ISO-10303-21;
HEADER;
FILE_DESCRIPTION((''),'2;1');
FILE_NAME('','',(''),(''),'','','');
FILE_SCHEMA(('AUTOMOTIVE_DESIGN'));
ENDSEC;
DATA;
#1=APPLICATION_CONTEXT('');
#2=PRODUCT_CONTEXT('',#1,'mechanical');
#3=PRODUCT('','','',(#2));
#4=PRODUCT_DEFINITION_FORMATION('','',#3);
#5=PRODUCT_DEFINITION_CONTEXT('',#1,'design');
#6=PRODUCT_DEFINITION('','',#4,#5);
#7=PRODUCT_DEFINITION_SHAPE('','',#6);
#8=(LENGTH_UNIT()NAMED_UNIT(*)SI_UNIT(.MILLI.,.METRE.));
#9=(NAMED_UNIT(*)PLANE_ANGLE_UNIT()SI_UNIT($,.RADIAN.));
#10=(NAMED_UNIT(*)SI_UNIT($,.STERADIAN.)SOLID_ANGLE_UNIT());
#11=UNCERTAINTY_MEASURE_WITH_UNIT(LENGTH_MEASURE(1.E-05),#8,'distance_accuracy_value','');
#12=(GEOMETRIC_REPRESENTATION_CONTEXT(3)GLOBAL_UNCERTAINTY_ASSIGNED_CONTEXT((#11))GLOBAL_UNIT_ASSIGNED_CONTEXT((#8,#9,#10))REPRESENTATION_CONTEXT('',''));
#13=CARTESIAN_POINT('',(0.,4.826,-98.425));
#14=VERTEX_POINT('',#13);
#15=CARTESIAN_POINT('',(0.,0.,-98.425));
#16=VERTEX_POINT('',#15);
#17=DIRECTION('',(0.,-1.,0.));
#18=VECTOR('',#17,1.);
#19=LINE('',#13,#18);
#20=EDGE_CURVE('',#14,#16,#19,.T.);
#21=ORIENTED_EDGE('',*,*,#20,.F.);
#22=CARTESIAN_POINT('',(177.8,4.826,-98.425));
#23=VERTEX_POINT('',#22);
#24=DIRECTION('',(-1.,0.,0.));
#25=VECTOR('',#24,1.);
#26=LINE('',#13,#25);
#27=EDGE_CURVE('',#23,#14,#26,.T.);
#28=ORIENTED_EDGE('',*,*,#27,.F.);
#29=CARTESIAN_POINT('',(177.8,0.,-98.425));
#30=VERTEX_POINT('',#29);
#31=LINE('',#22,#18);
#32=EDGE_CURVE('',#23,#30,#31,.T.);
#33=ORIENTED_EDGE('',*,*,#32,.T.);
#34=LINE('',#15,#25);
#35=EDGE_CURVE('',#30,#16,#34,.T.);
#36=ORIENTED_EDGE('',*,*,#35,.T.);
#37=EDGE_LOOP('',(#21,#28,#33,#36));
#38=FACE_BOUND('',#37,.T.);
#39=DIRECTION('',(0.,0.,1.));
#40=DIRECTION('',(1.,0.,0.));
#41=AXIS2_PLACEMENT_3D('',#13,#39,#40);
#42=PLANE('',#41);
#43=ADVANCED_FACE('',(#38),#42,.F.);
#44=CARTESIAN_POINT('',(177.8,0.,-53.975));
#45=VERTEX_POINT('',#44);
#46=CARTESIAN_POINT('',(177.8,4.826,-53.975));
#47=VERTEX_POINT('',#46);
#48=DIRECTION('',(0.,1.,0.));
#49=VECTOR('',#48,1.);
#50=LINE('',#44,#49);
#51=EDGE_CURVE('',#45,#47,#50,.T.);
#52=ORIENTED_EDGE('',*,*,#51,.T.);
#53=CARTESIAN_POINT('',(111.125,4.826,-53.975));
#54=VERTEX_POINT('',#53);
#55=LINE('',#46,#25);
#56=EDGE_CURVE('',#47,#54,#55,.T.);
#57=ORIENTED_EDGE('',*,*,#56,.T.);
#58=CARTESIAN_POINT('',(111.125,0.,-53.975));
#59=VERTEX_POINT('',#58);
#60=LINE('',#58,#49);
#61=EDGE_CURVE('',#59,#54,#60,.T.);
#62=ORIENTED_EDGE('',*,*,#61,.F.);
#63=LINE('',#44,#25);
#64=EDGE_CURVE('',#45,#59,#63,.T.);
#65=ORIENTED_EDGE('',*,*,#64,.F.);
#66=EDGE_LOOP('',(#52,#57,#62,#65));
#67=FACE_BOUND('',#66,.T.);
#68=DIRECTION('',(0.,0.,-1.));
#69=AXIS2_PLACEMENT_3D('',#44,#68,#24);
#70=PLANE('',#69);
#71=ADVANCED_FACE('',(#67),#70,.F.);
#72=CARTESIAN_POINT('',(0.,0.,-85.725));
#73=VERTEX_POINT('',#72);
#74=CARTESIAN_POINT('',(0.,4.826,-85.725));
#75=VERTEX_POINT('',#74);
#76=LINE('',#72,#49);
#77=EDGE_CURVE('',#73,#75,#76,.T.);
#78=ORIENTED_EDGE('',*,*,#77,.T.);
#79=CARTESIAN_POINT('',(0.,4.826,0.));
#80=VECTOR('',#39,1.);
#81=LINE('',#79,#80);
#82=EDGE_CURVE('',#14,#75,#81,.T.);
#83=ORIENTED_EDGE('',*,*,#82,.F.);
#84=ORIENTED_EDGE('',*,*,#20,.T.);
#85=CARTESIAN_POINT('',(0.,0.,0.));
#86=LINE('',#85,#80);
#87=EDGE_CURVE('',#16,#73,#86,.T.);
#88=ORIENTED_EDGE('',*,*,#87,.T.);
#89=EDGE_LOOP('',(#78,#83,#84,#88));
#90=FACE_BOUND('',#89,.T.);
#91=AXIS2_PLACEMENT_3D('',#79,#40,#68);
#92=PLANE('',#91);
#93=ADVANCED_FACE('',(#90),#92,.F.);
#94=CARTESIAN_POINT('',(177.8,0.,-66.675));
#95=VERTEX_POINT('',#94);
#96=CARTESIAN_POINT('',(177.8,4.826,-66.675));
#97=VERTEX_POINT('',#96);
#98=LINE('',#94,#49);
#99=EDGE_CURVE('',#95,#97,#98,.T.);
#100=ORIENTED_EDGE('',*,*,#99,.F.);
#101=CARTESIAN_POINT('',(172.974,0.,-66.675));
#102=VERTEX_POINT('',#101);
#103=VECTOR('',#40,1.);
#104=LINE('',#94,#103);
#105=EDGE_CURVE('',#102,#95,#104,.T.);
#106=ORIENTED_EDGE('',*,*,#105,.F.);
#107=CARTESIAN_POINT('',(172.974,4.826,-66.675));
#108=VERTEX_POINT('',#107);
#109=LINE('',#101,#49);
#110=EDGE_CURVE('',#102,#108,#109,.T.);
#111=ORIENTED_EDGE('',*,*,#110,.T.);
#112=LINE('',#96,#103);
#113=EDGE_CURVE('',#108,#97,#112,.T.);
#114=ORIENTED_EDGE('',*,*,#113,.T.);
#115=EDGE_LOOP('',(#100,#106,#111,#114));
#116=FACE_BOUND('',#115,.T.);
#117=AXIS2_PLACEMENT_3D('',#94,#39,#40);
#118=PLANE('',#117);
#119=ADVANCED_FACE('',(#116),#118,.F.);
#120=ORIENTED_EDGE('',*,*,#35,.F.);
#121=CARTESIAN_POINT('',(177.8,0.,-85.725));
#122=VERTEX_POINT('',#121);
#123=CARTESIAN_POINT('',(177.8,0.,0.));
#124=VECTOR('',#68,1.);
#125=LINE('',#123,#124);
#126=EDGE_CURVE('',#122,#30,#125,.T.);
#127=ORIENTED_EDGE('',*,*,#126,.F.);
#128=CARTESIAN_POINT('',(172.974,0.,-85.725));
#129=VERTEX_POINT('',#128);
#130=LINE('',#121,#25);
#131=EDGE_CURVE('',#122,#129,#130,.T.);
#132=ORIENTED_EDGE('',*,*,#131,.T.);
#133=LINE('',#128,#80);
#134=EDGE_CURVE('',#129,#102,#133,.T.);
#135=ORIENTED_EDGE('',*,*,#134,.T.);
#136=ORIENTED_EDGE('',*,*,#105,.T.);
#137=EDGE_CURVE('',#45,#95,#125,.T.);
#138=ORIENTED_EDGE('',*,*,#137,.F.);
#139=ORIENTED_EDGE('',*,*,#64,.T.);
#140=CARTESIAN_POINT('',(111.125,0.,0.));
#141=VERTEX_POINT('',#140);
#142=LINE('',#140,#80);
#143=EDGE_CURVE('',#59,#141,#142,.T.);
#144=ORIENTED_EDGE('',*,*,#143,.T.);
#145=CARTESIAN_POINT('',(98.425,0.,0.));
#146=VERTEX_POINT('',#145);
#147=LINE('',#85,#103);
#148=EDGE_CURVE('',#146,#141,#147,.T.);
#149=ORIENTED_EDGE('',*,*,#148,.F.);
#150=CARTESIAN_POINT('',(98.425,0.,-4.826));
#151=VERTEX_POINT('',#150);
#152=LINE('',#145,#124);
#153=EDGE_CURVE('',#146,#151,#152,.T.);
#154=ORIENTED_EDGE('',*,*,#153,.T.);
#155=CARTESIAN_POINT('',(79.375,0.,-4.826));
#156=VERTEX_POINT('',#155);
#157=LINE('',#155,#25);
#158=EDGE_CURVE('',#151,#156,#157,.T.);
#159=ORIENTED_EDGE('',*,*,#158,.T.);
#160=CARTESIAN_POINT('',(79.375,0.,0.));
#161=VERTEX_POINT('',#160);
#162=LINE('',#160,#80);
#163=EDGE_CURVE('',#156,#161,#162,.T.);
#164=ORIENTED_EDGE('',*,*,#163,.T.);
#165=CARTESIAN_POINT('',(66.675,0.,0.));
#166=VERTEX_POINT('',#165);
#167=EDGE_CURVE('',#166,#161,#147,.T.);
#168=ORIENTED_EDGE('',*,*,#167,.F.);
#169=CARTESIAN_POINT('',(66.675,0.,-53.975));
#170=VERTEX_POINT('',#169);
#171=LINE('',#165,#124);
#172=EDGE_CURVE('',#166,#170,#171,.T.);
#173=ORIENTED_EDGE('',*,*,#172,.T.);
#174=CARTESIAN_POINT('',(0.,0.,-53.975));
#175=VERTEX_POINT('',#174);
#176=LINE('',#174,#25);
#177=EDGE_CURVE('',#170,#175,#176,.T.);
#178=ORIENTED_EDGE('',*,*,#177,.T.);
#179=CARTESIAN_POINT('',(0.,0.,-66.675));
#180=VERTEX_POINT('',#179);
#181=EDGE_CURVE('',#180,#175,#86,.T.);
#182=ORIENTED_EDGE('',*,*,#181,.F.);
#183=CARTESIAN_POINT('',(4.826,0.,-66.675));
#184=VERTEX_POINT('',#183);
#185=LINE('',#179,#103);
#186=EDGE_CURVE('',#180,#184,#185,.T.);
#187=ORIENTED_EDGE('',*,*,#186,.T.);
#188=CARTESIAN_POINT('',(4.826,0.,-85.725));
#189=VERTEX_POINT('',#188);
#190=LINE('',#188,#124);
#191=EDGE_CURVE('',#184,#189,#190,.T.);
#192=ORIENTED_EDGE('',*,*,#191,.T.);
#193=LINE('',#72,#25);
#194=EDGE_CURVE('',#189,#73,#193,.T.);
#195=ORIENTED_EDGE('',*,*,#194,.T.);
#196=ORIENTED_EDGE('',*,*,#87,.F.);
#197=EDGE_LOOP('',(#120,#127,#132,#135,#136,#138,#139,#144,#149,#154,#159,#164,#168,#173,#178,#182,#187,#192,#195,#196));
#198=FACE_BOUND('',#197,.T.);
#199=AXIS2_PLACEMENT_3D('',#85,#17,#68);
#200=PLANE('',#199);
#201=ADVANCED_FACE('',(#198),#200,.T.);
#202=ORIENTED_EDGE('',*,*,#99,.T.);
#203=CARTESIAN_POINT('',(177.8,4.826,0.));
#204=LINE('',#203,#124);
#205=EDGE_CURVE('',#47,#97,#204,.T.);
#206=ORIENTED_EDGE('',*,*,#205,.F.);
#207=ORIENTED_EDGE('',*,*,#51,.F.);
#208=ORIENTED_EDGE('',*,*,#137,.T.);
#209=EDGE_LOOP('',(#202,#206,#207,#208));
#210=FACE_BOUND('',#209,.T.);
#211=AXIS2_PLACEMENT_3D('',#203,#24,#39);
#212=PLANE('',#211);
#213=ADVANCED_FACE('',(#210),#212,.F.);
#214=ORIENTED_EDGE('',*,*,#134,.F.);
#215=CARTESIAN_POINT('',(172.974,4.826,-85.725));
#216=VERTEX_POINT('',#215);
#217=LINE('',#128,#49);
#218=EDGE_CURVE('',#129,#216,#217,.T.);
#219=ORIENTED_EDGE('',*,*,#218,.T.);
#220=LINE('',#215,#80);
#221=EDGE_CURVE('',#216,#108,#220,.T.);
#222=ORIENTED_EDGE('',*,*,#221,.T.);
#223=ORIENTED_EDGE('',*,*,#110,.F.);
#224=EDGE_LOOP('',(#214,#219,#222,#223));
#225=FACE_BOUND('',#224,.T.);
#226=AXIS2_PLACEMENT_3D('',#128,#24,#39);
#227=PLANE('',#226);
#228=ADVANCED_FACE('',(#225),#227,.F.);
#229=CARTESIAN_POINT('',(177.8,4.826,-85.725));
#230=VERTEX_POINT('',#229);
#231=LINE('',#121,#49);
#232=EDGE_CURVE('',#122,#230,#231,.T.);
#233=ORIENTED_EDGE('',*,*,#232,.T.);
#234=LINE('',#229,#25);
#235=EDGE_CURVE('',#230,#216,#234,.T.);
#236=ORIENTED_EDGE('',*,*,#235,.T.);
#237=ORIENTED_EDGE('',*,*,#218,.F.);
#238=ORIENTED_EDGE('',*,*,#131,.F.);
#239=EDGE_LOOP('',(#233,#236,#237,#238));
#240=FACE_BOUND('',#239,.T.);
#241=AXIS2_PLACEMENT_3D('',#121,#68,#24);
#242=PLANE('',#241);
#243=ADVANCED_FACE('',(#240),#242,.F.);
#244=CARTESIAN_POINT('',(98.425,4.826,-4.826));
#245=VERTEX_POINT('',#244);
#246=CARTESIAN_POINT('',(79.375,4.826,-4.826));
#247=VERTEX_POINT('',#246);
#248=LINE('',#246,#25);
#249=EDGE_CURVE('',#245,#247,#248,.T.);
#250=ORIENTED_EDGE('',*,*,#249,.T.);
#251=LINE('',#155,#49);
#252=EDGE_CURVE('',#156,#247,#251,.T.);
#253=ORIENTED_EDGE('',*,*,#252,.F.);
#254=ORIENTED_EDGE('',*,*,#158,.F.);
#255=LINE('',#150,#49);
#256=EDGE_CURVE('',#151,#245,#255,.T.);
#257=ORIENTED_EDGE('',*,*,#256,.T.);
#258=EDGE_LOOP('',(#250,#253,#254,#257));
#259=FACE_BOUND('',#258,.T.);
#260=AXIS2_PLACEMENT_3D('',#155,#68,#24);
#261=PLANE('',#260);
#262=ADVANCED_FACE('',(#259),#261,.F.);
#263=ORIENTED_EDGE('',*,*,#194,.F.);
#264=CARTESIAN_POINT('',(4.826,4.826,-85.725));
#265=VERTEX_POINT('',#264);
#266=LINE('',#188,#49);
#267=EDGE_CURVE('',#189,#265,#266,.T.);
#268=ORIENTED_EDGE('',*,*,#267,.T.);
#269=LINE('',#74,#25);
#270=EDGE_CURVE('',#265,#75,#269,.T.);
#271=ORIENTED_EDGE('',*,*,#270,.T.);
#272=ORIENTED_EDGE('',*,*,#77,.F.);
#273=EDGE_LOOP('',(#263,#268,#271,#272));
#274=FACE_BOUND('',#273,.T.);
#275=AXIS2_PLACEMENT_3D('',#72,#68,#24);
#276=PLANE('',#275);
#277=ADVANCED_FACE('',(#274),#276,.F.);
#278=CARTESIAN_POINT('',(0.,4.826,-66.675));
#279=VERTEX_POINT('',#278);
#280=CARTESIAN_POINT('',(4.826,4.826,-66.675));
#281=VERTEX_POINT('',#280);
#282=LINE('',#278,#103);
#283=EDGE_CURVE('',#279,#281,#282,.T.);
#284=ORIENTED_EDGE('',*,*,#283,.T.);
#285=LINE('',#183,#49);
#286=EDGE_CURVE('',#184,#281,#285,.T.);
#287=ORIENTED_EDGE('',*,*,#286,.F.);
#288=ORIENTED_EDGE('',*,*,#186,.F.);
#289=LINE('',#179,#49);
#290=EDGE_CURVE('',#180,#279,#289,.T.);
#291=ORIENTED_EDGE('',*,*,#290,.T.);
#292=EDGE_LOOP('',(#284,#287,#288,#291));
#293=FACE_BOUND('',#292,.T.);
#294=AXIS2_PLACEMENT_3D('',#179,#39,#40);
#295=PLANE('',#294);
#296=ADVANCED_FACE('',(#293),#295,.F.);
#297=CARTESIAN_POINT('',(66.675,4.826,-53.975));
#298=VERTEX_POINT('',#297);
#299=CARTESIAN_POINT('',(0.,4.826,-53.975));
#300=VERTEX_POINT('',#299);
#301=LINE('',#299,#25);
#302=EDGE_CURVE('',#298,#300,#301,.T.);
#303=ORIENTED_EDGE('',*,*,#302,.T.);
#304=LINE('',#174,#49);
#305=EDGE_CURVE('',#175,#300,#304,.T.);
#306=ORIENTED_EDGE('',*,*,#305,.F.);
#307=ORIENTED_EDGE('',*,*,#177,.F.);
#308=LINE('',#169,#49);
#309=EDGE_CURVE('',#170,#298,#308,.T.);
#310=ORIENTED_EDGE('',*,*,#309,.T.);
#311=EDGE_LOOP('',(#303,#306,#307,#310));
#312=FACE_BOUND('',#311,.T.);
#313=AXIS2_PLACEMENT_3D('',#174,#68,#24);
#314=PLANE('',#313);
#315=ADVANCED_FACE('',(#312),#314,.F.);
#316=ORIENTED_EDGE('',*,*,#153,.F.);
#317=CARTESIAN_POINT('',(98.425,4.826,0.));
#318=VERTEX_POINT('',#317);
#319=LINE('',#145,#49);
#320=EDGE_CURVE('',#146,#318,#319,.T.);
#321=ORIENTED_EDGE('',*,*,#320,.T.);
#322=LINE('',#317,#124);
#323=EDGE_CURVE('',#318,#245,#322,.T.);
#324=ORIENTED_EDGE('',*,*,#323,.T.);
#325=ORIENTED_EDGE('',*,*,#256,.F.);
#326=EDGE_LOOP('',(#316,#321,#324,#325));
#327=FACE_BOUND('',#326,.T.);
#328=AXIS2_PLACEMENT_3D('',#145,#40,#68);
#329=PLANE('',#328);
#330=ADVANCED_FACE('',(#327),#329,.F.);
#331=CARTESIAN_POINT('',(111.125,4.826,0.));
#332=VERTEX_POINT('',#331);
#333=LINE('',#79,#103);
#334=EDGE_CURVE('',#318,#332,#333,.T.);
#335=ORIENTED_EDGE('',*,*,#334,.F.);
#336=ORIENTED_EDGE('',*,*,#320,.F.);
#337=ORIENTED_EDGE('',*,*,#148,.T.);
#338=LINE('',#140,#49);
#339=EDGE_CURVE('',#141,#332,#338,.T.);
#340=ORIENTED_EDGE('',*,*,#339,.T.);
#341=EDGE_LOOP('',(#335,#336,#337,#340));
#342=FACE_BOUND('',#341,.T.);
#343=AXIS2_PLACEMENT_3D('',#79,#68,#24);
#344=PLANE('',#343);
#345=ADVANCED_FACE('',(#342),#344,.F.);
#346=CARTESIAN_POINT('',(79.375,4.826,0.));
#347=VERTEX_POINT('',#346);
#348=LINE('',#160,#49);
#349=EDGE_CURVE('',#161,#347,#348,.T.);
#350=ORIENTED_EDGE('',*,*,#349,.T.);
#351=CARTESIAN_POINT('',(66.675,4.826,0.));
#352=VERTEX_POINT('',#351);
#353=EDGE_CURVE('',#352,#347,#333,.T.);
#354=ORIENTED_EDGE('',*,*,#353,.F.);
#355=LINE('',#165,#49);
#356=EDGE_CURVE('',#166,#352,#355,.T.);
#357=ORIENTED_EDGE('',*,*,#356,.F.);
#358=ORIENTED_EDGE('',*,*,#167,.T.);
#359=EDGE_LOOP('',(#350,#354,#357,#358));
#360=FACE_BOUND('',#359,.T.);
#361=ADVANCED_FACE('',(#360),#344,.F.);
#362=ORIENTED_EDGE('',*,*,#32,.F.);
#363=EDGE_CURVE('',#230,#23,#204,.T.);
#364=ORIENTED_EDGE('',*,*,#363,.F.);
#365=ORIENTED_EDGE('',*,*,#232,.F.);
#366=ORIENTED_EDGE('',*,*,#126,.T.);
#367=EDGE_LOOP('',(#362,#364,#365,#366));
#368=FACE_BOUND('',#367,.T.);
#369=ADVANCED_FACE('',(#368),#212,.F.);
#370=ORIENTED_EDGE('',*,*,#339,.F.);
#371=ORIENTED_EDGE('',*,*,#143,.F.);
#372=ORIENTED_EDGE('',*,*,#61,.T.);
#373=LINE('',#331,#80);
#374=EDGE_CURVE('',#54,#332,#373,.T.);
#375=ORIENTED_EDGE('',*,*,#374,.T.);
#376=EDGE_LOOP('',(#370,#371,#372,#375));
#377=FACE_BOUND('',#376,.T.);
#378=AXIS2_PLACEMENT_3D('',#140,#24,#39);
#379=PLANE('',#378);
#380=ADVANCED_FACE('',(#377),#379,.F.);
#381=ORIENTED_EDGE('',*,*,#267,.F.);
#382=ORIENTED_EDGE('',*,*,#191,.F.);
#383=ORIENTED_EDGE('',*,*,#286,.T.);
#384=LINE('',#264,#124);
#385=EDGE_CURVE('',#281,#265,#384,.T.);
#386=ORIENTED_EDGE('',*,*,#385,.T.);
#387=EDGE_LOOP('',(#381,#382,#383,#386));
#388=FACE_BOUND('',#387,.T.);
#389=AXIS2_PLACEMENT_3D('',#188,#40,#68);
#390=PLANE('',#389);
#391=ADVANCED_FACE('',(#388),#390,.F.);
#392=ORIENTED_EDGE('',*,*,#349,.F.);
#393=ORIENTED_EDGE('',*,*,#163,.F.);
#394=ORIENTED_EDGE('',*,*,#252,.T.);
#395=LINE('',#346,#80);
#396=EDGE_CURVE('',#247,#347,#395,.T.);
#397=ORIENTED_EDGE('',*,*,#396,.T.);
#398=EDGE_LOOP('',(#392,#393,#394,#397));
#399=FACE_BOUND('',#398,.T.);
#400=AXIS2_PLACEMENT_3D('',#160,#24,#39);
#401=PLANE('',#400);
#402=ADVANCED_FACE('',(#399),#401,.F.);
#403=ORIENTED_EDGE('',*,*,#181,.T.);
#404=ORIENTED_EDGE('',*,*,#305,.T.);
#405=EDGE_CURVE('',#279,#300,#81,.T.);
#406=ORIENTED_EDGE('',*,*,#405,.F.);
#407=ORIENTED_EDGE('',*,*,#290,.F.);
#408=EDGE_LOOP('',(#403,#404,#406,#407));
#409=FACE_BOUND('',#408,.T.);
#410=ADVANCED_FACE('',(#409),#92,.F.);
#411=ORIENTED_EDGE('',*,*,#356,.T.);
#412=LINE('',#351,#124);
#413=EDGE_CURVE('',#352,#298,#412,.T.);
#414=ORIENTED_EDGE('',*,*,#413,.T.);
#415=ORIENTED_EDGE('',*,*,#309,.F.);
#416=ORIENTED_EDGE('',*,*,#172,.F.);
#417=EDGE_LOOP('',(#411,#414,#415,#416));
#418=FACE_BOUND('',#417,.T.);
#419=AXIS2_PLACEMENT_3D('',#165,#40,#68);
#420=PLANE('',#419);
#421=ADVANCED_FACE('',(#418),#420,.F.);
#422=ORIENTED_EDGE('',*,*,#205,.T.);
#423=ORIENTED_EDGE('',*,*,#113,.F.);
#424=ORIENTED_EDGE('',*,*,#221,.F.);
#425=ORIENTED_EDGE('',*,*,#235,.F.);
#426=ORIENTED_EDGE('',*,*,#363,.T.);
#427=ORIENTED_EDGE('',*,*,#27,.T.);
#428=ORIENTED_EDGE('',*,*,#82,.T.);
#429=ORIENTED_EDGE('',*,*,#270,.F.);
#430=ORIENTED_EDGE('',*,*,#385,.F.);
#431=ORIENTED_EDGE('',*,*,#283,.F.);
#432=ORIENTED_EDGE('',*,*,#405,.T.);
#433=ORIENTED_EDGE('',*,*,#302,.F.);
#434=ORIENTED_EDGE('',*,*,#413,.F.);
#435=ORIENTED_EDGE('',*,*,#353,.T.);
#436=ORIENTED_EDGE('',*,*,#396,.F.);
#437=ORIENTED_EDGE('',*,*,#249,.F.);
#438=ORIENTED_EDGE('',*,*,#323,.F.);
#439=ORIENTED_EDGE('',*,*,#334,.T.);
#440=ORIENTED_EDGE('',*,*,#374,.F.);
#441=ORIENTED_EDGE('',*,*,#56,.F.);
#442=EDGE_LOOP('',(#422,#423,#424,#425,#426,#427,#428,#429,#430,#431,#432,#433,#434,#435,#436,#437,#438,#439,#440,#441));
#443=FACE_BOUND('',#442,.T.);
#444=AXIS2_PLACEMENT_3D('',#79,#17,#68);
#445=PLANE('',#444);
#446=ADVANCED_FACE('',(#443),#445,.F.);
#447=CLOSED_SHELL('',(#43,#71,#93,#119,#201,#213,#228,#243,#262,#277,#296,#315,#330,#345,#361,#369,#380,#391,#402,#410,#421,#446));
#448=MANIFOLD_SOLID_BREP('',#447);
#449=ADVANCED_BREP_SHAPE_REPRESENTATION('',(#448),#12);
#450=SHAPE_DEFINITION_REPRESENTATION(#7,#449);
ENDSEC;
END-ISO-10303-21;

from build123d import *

# Parameters (mm, degrees)
SKETCH1_W           = 177.8
SKETCH1_H           = 98.425
BOSS_EXTRUDE1_DEPTH = 4.826
SKETCH2_W           = 4.826
SKETCH2_H           = 19.05
SKETCH2_W_2         = 19.05
SKETCH2_H_2         = 4.826
ALL_SLOTS_DEPTH     = 204.282096853
SKETCH3_W           = 66.675
SKETCH3_H           = 53.975
CUT_EXTRUDE2_DEPTH  = 204.282096853


with BuildPart() as part:
    # Sketch1 → Boss-Extrude1 (new body)
    with BuildSketch(Plane(origin=(0, 0, 0), x_dir=(1, 0, 0), z_dir=(0, 1, 0))):
        with Locations((88.9, 49.2125)):
            Rectangle(SKETCH1_W, SKETCH1_H)
    extrude(amount=BOSS_EXTRUDE1_DEPTH)

    # Sketch2 → All Slots (cut, through all)
    with BuildSketch(Plane(origin=(0, 4.826, 0), x_dir=(1, 0, 0), z_dir=(0, 1, 0))):
        with Locations((2.413, 76.2)):
            Rectangle(SKETCH2_W, SKETCH2_H)
        with Locations((175.387, 76.2)):
            Rectangle(SKETCH2_W, SKETCH2_H)
        with Locations((88.9, 2.413)):
            Rectangle(SKETCH2_W_2, SKETCH2_H_2)
    extrude(amount=-ALL_SLOTS_DEPTH, mode=Mode.SUBTRACT)

    # Sketch3 → Cut-Extrude2 (cut, through all)
    with BuildSketch(Plane(origin=(0, 4.826, 0), x_dir=(1, 0, 0), z_dir=(0, 1, 0))):
        with Locations((33.3375, 26.9875)):
            Rectangle(SKETCH3_W, SKETCH3_H)
        with Locations((144.4625, 26.9875)):
            Rectangle(SKETCH3_W, SKETCH3_H)
    extrude(amount=-CUT_EXTRUDE2_DEPTH, mode=Mode.SUBTRACT)


solid = part.part
